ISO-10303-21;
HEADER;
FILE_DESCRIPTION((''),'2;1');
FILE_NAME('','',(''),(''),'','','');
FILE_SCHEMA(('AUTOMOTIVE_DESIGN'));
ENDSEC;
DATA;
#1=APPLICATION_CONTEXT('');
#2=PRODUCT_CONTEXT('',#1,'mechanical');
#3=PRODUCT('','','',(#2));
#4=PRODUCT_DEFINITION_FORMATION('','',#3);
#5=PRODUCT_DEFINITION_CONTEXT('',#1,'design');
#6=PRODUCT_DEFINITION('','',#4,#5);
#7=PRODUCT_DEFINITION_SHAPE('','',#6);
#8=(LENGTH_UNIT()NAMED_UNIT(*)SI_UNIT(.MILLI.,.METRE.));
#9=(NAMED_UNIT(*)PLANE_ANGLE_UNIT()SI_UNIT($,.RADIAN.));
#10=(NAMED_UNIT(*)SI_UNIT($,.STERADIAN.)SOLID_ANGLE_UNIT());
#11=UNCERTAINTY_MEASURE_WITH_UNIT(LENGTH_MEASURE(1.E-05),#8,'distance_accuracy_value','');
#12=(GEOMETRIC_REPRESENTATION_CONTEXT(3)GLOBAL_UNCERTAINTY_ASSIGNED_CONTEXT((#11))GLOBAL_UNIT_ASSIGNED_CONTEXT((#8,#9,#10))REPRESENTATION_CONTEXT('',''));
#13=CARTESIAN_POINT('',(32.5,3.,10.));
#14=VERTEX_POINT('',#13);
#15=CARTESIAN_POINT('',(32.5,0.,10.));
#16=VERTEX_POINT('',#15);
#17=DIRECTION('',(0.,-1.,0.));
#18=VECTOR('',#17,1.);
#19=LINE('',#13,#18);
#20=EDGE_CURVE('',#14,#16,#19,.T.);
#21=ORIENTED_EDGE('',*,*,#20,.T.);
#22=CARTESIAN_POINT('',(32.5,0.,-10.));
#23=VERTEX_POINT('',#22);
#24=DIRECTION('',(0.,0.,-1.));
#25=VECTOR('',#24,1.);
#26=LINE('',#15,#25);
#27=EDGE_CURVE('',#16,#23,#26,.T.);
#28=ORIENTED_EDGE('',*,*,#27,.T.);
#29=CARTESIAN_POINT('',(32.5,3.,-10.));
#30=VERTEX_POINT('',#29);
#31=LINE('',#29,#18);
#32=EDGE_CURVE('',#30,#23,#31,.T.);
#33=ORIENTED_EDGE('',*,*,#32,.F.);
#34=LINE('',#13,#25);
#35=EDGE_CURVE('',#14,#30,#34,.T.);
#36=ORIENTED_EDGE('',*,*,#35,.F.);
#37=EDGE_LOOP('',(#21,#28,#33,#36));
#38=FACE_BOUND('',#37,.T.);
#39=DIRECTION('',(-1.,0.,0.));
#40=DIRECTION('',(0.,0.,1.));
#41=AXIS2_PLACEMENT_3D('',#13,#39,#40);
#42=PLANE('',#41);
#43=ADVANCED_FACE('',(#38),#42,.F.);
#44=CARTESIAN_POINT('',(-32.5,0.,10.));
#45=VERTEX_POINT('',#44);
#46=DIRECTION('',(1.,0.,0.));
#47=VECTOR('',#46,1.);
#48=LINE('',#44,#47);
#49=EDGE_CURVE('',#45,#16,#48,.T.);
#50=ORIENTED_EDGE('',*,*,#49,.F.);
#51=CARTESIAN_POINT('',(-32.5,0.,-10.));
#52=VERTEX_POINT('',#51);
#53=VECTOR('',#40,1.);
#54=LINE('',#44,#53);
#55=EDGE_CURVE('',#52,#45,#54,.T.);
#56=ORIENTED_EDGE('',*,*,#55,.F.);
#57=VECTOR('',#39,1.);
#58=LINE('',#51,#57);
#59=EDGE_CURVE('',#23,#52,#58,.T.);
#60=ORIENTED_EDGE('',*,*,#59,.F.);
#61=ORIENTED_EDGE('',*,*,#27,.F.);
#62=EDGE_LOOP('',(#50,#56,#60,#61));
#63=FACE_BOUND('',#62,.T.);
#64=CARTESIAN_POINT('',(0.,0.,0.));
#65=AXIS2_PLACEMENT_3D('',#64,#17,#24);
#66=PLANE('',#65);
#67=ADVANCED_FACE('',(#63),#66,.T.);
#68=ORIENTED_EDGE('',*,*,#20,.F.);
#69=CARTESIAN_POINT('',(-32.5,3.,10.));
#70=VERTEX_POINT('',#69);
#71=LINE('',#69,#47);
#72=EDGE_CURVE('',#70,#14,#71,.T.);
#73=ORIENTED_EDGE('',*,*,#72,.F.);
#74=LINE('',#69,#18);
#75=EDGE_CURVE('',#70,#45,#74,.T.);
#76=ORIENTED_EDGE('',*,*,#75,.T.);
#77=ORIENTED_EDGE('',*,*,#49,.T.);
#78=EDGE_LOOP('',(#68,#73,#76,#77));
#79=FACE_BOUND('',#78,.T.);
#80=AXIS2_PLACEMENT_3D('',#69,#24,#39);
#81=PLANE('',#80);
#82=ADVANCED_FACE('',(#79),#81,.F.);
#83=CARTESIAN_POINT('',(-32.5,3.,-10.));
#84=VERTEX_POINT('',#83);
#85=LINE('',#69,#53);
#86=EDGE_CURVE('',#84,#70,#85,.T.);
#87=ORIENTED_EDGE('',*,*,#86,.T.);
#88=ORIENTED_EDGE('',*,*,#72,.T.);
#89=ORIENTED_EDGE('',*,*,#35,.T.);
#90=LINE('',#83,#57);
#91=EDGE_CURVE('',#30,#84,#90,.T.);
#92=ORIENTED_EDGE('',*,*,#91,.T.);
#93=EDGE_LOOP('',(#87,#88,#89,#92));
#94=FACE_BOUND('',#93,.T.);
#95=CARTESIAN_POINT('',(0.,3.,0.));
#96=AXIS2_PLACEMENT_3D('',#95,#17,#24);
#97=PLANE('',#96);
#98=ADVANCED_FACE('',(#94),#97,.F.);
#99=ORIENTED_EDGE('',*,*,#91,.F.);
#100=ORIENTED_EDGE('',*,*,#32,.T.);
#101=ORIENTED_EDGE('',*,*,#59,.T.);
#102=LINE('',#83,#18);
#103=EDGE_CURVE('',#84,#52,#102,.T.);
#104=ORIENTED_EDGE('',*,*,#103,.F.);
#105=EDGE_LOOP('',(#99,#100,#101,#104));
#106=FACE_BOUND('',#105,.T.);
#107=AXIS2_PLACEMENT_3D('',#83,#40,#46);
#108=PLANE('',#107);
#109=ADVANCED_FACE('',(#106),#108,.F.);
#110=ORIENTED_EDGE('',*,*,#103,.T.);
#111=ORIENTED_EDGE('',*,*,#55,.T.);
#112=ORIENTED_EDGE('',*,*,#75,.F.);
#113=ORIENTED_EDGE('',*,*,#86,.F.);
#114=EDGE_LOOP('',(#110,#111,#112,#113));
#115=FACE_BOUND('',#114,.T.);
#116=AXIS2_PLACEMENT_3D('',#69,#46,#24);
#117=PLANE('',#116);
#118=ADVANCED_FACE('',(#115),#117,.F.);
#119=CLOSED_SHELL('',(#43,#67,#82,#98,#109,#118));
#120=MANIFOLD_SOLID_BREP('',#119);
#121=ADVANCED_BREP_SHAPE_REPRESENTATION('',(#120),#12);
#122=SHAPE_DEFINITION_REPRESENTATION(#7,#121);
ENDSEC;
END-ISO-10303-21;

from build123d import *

# Parameters (mm, degrees)
SKIZZE1_W                       = 65
SKIZZE1_H                       = 20
AUFSATZ_LINEAR_AUSTRAGEN1_DEPTH = 3


with BuildPart() as part:
    # Skizze1 → Aufsatz-Linear austragen1 (new body)
    with BuildSketch(Plane(origin=(0, 0, 0), x_dir=(1, 0, 0), z_dir=(0, 1, 0))):
        Rectangle(SKIZZE1_W, SKIZZE1_H)
    extrude(amount=AUFSATZ_LINEAR_AUSTRAGEN1_DEPTH)


solid = part.part
